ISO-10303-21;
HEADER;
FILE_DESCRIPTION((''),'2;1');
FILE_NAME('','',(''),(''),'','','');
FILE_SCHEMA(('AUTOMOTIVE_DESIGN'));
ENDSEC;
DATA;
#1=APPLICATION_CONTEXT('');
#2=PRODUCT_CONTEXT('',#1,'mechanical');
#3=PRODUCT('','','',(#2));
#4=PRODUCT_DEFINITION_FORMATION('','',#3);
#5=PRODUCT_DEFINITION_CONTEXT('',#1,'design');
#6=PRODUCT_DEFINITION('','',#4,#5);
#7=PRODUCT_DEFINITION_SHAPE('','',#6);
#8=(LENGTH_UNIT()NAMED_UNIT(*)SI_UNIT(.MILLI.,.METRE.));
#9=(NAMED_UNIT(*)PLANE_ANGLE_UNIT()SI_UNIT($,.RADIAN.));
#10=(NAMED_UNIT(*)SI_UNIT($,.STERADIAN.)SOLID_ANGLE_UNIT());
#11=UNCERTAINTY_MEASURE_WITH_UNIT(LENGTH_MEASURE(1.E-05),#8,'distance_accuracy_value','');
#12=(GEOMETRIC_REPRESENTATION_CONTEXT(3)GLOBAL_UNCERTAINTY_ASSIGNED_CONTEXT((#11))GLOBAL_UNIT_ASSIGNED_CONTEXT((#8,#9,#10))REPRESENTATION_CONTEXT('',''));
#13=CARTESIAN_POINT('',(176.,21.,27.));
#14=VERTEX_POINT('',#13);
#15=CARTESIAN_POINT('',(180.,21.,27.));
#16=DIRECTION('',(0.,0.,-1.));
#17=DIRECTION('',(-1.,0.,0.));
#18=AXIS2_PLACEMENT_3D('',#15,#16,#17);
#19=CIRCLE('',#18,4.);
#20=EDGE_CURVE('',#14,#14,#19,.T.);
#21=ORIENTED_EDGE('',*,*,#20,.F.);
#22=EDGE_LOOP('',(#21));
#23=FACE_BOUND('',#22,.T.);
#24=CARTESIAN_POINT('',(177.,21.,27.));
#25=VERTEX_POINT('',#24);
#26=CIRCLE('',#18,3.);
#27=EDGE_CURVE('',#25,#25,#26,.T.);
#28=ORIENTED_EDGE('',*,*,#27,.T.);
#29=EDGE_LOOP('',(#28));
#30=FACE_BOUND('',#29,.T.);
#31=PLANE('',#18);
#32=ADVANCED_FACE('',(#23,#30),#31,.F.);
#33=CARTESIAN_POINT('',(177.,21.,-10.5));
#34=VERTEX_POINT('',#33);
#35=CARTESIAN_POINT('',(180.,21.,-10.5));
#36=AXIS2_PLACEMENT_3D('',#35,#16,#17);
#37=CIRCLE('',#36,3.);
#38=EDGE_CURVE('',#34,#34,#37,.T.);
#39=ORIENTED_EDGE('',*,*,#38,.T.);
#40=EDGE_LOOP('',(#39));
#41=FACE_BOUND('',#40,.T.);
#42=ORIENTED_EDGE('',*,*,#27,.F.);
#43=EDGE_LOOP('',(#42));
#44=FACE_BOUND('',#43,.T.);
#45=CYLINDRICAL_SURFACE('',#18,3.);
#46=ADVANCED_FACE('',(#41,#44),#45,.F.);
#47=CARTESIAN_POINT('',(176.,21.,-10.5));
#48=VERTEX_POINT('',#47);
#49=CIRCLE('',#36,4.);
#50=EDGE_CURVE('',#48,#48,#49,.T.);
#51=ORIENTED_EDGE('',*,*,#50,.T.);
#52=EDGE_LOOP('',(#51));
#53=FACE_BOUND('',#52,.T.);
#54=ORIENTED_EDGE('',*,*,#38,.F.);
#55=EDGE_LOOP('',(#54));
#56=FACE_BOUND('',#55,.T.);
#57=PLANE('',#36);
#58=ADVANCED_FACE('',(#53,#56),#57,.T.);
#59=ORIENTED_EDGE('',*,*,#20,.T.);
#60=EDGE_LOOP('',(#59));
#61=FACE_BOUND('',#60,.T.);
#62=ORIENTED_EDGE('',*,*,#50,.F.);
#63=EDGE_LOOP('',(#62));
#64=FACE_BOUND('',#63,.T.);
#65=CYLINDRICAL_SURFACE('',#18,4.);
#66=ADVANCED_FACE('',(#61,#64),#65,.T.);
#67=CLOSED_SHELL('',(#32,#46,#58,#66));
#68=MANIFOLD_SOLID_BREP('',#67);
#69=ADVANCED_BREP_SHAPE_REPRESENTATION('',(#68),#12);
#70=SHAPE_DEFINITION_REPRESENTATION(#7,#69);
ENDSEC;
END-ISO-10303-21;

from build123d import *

# Parameters (mm, degrees)
TUBE_PROFILE_R   = 4
TUBE_PROFILE_R_2 = 3


with BuildPart() as part:
    # Tube: sweep along a curve in space
    with BuildLine() as tube_path:
        Line((180, 21, 27), (180, 21, -10.5))
    # Tube profile (on start of the path) → Tube (sweep)
    with BuildSketch(Plane(origin=(180, 21, 27), x_dir=(-1, 0, 0), z_dir=(0, 0, -1))):
        Circle(TUBE_PROFILE_R)
        Circle(TUBE_PROFILE_R_2, mode=Mode.SUBTRACT)
    sweep(path=tube_path.line)


solid = part.part
